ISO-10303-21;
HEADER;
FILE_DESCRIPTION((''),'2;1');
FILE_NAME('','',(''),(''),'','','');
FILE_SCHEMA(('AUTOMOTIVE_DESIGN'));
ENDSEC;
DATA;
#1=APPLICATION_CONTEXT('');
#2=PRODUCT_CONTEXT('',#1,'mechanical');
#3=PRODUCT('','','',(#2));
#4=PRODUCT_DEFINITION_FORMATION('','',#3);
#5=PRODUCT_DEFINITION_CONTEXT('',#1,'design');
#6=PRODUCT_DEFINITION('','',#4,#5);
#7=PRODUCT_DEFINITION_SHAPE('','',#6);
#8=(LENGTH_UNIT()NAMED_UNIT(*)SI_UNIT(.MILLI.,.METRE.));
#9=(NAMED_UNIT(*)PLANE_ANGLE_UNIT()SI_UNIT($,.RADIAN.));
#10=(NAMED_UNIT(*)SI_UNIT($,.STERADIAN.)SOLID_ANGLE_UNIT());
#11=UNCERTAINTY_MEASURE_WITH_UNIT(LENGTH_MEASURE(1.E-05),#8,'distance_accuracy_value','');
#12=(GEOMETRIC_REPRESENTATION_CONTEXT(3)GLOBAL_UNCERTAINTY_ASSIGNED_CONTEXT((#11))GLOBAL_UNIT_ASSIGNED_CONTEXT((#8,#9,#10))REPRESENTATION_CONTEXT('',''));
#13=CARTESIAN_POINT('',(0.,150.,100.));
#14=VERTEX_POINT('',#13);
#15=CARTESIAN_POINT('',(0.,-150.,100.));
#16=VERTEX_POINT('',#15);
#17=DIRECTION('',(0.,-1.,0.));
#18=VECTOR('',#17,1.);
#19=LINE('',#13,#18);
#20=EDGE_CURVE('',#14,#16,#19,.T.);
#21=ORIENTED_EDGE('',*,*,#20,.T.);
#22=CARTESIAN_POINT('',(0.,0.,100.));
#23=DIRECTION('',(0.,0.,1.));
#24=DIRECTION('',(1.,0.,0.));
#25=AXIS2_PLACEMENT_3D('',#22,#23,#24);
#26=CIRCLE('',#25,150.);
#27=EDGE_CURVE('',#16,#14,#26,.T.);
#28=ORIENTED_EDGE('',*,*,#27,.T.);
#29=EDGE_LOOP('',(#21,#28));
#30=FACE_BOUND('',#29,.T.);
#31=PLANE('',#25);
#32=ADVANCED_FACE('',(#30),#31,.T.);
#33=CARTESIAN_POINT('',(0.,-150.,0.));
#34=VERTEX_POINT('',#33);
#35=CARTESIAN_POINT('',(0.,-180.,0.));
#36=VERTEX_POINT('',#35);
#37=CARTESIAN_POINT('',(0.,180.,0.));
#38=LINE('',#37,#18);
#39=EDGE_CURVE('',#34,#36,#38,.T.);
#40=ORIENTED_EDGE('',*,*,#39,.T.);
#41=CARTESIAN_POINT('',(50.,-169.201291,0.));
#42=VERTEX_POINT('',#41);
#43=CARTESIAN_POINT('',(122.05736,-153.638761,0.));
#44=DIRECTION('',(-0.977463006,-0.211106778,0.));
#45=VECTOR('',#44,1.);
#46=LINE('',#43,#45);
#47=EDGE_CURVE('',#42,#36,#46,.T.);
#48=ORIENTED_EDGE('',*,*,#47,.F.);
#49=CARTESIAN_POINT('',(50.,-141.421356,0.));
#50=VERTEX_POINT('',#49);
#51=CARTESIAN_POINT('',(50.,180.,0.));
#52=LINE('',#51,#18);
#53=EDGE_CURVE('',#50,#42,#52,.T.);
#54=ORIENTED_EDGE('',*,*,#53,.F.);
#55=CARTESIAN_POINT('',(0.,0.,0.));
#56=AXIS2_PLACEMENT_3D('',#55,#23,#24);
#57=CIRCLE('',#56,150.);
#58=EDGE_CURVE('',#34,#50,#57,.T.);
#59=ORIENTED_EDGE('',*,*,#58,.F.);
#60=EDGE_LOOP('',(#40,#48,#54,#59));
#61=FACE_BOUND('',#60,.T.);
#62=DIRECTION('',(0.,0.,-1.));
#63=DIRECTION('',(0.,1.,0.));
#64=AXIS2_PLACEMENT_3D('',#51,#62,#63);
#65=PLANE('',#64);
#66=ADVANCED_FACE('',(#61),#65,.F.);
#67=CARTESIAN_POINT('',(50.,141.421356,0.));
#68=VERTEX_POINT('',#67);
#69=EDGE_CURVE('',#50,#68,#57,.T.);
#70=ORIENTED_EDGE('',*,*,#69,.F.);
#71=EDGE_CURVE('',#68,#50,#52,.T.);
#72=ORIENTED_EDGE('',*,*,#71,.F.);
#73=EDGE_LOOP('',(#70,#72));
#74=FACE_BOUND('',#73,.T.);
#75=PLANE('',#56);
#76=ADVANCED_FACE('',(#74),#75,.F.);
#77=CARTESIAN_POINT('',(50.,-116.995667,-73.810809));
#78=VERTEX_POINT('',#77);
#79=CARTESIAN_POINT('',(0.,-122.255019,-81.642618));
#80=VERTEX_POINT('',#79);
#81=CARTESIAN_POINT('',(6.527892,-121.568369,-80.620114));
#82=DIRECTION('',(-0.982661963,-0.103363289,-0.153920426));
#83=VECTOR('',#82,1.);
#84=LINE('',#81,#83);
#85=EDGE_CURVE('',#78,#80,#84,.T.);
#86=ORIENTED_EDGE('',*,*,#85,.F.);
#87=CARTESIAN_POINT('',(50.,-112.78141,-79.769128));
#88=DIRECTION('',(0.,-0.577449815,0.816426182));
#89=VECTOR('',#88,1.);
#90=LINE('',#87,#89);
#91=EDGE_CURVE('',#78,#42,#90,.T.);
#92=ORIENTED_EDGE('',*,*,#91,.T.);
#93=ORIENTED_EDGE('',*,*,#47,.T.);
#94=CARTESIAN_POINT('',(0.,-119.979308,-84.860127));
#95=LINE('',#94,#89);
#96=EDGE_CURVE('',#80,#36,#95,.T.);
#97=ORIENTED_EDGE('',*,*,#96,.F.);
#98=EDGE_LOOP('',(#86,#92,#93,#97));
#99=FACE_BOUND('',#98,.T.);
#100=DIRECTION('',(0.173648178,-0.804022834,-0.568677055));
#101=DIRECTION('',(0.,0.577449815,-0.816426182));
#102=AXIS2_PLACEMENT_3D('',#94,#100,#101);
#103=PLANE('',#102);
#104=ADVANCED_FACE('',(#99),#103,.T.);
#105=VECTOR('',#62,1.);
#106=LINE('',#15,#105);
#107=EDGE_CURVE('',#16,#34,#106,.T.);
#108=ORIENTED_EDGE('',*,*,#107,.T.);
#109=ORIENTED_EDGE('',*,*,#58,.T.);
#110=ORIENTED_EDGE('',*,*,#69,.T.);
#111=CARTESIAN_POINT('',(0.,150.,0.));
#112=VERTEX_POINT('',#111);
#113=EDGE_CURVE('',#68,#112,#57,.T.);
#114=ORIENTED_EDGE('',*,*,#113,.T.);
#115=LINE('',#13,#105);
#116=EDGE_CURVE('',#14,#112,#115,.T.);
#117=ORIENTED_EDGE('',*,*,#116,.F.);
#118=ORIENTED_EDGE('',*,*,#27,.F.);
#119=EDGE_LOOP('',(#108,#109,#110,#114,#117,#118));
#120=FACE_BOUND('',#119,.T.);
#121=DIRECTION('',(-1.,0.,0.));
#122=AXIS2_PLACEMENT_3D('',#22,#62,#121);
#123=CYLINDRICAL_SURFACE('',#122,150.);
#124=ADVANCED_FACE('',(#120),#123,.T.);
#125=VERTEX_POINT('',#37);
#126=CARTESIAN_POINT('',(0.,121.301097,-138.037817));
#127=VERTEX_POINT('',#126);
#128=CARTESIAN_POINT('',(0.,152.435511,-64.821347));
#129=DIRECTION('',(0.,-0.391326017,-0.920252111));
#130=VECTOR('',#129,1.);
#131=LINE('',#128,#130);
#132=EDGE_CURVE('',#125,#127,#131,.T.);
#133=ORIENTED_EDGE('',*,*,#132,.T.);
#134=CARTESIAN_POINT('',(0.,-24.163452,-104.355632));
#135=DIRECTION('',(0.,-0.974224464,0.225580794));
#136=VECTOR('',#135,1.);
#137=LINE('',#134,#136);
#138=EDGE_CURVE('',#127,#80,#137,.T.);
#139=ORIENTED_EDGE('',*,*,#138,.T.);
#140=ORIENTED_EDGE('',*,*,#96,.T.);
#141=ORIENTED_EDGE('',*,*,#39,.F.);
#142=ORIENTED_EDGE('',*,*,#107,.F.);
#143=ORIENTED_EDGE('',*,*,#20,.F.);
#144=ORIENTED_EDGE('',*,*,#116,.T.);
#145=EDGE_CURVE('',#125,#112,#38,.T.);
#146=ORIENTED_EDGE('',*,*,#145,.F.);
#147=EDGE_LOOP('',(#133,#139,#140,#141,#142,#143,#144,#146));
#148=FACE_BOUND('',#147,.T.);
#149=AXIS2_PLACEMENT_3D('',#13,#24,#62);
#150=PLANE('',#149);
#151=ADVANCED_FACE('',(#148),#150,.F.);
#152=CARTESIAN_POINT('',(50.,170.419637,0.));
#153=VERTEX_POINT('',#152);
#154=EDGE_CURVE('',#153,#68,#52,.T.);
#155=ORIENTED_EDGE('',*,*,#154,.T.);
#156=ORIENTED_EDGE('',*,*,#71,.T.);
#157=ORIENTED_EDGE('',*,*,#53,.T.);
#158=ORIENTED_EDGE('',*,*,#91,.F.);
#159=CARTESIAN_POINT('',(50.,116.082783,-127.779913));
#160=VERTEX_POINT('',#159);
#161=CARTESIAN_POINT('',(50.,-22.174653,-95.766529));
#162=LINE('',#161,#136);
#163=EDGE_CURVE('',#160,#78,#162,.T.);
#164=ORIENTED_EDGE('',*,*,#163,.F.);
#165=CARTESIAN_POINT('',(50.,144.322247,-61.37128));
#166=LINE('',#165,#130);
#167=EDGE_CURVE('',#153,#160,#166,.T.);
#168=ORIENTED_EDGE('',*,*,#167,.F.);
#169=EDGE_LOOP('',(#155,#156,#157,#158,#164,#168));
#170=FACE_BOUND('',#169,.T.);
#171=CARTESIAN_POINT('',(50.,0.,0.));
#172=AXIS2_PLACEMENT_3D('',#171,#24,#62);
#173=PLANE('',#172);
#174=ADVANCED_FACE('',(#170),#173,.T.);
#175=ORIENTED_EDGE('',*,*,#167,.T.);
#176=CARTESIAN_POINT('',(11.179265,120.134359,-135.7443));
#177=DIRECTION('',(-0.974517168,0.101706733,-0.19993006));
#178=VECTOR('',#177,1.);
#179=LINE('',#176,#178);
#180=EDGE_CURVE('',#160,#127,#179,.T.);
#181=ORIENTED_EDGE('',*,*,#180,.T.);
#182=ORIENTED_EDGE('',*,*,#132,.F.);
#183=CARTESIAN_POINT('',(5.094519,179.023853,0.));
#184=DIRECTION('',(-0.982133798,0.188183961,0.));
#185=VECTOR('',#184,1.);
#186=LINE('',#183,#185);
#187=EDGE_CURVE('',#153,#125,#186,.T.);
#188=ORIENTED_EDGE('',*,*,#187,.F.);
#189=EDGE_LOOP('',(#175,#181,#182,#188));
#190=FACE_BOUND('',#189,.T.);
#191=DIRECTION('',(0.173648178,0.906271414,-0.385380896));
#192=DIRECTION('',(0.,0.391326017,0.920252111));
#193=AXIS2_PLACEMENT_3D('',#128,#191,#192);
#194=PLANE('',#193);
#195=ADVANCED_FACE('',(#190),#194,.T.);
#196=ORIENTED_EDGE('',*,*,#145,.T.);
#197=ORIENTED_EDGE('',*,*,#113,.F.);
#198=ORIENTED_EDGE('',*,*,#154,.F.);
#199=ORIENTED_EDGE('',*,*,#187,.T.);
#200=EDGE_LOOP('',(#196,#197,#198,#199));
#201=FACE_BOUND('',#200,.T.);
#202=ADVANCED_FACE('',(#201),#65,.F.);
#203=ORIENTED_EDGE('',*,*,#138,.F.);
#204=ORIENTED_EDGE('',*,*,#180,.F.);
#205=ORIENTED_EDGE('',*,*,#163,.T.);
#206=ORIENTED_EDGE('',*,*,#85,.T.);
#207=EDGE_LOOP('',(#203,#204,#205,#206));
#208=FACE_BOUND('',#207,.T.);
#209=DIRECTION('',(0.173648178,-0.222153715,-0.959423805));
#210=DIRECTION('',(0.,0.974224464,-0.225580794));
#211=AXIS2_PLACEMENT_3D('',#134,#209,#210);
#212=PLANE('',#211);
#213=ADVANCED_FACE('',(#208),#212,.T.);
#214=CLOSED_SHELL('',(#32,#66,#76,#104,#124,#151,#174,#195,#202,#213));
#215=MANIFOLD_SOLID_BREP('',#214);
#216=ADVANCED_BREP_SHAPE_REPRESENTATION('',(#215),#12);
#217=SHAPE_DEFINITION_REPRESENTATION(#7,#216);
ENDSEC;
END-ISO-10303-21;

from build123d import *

# Parameters (mm, degrees)
BOSS_EXTRUDE1_DEPTH = 100
BOSS_EXTRUDE2_DEPTH = 50
DRAFT1_ANGLE        = 10


with BuildPart() as part:
    # Sketch1 → Boss-Extrude1 (new body)
    with BuildSketch(Plane.XY):
        with BuildLine():
            Line((0, 150), (0, -150))
            ThreePointArc((0, -150), (150, 0), (0, 150))
        make_face()
    extrude(amount=BOSS_EXTRUDE1_DEPTH)

    # Sketch2 → Boss-Extrude2 (add)
    with BuildSketch(Plane.ZY):
        Polygon((0, 180), (0, -180), (-81.642618236, -122.255018507), (-138.037816677, 121.301097394), align=None)
    extrude(amount=-BOSS_EXTRUDE2_DEPTH)

    # Draft1
    draft1_faces = [part.faces().sort_by_distance(p)[0] for p in [
        (25, -151.127509253, -40.821309118),
        (25, 150.650548697, -69.018908338),
        (25, -0.476960556, -109.840217456),
    ]]
    draft(draft1_faces, Plane(origin=(0, 0, 0), x_dir=(0, 0, 1), z_dir=(1, 0, 0)), DRAFT1_ANGLE)


solid = part.part
